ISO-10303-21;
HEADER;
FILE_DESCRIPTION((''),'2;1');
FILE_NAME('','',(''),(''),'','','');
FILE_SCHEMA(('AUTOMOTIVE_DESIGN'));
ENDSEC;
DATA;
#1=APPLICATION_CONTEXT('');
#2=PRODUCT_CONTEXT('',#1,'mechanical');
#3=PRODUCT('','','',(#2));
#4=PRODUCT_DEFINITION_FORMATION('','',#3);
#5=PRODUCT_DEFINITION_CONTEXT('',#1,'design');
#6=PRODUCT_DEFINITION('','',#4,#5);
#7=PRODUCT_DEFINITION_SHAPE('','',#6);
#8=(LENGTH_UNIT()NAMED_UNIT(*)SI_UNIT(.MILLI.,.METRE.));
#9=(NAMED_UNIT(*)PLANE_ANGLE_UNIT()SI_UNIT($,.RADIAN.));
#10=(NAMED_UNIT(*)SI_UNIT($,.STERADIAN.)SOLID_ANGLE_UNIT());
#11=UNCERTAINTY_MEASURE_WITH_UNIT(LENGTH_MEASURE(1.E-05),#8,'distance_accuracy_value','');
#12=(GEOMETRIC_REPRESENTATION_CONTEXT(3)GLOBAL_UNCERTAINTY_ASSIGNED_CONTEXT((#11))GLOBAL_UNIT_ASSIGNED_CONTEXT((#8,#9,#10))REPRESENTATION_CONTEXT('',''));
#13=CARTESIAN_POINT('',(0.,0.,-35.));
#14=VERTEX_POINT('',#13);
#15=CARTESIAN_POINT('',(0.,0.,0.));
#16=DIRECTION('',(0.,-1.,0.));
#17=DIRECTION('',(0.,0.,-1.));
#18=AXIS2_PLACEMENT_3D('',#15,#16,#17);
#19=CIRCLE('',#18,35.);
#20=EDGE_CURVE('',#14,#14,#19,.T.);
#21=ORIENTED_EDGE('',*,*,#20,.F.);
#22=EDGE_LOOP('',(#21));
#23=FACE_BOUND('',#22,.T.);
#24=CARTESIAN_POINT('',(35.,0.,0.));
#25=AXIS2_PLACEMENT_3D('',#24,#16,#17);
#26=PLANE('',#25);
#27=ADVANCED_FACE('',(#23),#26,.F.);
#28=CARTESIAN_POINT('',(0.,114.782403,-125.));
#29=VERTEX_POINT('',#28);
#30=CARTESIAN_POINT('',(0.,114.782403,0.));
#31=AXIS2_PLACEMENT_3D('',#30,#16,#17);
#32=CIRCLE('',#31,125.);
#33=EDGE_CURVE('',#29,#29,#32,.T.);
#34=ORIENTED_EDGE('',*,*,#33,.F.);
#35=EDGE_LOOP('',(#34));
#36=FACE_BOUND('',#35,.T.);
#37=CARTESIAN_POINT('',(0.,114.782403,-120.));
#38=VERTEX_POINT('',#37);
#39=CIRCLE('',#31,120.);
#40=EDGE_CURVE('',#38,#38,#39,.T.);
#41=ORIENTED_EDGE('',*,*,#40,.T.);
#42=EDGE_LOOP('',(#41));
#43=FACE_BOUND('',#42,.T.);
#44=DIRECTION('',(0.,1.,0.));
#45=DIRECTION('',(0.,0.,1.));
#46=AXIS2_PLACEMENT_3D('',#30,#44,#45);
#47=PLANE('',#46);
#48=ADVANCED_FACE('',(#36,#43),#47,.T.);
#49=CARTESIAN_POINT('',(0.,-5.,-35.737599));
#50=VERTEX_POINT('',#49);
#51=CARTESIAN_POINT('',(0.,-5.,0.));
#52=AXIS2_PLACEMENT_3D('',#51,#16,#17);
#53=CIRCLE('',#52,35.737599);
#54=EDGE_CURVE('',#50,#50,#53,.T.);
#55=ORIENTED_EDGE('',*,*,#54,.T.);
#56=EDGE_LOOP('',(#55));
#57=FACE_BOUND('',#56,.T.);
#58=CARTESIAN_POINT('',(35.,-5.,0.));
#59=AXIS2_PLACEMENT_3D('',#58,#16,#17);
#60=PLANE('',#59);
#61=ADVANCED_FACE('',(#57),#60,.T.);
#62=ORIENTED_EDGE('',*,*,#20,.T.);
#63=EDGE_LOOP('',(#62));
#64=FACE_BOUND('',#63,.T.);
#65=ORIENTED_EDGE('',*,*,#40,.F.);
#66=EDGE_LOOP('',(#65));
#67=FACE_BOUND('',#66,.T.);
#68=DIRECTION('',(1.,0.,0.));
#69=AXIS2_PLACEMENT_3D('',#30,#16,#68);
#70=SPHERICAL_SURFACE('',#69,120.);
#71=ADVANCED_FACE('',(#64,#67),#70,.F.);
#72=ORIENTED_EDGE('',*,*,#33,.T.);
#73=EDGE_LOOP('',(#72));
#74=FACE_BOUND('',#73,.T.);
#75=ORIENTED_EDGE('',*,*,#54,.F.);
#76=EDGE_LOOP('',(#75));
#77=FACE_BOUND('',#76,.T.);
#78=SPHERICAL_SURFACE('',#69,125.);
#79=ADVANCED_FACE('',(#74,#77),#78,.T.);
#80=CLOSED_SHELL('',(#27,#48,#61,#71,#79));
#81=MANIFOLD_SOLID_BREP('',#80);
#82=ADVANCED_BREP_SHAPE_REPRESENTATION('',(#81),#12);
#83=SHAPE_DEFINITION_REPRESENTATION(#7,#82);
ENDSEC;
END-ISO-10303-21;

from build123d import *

# Parameters (mm, degrees)
THICKEN_1_T2 = 5


with BuildPart() as body_1:
    # Sheet Revolve 1: a surface, the sketch's curves turned about an axis
    with BuildLine(Plane.XY, mode=Mode.PRIVATE) as sheet_revolve_1_1_path:
        Line((0, 0), (35, 0))
        ThreePointArc((35, 0), (96.43650761, 43.368118547), (120, 114.782402832))
    sheet_revolve_1_1 = Shell.revolve(sheet_revolve_1_1_path.wire(), 360, Axis((0, 0, 0), (0, -1, 0)))
    add(Solid.thicken(sheet_revolve_1_1, -THICKEN_1_T2))


solid = body_1.part
